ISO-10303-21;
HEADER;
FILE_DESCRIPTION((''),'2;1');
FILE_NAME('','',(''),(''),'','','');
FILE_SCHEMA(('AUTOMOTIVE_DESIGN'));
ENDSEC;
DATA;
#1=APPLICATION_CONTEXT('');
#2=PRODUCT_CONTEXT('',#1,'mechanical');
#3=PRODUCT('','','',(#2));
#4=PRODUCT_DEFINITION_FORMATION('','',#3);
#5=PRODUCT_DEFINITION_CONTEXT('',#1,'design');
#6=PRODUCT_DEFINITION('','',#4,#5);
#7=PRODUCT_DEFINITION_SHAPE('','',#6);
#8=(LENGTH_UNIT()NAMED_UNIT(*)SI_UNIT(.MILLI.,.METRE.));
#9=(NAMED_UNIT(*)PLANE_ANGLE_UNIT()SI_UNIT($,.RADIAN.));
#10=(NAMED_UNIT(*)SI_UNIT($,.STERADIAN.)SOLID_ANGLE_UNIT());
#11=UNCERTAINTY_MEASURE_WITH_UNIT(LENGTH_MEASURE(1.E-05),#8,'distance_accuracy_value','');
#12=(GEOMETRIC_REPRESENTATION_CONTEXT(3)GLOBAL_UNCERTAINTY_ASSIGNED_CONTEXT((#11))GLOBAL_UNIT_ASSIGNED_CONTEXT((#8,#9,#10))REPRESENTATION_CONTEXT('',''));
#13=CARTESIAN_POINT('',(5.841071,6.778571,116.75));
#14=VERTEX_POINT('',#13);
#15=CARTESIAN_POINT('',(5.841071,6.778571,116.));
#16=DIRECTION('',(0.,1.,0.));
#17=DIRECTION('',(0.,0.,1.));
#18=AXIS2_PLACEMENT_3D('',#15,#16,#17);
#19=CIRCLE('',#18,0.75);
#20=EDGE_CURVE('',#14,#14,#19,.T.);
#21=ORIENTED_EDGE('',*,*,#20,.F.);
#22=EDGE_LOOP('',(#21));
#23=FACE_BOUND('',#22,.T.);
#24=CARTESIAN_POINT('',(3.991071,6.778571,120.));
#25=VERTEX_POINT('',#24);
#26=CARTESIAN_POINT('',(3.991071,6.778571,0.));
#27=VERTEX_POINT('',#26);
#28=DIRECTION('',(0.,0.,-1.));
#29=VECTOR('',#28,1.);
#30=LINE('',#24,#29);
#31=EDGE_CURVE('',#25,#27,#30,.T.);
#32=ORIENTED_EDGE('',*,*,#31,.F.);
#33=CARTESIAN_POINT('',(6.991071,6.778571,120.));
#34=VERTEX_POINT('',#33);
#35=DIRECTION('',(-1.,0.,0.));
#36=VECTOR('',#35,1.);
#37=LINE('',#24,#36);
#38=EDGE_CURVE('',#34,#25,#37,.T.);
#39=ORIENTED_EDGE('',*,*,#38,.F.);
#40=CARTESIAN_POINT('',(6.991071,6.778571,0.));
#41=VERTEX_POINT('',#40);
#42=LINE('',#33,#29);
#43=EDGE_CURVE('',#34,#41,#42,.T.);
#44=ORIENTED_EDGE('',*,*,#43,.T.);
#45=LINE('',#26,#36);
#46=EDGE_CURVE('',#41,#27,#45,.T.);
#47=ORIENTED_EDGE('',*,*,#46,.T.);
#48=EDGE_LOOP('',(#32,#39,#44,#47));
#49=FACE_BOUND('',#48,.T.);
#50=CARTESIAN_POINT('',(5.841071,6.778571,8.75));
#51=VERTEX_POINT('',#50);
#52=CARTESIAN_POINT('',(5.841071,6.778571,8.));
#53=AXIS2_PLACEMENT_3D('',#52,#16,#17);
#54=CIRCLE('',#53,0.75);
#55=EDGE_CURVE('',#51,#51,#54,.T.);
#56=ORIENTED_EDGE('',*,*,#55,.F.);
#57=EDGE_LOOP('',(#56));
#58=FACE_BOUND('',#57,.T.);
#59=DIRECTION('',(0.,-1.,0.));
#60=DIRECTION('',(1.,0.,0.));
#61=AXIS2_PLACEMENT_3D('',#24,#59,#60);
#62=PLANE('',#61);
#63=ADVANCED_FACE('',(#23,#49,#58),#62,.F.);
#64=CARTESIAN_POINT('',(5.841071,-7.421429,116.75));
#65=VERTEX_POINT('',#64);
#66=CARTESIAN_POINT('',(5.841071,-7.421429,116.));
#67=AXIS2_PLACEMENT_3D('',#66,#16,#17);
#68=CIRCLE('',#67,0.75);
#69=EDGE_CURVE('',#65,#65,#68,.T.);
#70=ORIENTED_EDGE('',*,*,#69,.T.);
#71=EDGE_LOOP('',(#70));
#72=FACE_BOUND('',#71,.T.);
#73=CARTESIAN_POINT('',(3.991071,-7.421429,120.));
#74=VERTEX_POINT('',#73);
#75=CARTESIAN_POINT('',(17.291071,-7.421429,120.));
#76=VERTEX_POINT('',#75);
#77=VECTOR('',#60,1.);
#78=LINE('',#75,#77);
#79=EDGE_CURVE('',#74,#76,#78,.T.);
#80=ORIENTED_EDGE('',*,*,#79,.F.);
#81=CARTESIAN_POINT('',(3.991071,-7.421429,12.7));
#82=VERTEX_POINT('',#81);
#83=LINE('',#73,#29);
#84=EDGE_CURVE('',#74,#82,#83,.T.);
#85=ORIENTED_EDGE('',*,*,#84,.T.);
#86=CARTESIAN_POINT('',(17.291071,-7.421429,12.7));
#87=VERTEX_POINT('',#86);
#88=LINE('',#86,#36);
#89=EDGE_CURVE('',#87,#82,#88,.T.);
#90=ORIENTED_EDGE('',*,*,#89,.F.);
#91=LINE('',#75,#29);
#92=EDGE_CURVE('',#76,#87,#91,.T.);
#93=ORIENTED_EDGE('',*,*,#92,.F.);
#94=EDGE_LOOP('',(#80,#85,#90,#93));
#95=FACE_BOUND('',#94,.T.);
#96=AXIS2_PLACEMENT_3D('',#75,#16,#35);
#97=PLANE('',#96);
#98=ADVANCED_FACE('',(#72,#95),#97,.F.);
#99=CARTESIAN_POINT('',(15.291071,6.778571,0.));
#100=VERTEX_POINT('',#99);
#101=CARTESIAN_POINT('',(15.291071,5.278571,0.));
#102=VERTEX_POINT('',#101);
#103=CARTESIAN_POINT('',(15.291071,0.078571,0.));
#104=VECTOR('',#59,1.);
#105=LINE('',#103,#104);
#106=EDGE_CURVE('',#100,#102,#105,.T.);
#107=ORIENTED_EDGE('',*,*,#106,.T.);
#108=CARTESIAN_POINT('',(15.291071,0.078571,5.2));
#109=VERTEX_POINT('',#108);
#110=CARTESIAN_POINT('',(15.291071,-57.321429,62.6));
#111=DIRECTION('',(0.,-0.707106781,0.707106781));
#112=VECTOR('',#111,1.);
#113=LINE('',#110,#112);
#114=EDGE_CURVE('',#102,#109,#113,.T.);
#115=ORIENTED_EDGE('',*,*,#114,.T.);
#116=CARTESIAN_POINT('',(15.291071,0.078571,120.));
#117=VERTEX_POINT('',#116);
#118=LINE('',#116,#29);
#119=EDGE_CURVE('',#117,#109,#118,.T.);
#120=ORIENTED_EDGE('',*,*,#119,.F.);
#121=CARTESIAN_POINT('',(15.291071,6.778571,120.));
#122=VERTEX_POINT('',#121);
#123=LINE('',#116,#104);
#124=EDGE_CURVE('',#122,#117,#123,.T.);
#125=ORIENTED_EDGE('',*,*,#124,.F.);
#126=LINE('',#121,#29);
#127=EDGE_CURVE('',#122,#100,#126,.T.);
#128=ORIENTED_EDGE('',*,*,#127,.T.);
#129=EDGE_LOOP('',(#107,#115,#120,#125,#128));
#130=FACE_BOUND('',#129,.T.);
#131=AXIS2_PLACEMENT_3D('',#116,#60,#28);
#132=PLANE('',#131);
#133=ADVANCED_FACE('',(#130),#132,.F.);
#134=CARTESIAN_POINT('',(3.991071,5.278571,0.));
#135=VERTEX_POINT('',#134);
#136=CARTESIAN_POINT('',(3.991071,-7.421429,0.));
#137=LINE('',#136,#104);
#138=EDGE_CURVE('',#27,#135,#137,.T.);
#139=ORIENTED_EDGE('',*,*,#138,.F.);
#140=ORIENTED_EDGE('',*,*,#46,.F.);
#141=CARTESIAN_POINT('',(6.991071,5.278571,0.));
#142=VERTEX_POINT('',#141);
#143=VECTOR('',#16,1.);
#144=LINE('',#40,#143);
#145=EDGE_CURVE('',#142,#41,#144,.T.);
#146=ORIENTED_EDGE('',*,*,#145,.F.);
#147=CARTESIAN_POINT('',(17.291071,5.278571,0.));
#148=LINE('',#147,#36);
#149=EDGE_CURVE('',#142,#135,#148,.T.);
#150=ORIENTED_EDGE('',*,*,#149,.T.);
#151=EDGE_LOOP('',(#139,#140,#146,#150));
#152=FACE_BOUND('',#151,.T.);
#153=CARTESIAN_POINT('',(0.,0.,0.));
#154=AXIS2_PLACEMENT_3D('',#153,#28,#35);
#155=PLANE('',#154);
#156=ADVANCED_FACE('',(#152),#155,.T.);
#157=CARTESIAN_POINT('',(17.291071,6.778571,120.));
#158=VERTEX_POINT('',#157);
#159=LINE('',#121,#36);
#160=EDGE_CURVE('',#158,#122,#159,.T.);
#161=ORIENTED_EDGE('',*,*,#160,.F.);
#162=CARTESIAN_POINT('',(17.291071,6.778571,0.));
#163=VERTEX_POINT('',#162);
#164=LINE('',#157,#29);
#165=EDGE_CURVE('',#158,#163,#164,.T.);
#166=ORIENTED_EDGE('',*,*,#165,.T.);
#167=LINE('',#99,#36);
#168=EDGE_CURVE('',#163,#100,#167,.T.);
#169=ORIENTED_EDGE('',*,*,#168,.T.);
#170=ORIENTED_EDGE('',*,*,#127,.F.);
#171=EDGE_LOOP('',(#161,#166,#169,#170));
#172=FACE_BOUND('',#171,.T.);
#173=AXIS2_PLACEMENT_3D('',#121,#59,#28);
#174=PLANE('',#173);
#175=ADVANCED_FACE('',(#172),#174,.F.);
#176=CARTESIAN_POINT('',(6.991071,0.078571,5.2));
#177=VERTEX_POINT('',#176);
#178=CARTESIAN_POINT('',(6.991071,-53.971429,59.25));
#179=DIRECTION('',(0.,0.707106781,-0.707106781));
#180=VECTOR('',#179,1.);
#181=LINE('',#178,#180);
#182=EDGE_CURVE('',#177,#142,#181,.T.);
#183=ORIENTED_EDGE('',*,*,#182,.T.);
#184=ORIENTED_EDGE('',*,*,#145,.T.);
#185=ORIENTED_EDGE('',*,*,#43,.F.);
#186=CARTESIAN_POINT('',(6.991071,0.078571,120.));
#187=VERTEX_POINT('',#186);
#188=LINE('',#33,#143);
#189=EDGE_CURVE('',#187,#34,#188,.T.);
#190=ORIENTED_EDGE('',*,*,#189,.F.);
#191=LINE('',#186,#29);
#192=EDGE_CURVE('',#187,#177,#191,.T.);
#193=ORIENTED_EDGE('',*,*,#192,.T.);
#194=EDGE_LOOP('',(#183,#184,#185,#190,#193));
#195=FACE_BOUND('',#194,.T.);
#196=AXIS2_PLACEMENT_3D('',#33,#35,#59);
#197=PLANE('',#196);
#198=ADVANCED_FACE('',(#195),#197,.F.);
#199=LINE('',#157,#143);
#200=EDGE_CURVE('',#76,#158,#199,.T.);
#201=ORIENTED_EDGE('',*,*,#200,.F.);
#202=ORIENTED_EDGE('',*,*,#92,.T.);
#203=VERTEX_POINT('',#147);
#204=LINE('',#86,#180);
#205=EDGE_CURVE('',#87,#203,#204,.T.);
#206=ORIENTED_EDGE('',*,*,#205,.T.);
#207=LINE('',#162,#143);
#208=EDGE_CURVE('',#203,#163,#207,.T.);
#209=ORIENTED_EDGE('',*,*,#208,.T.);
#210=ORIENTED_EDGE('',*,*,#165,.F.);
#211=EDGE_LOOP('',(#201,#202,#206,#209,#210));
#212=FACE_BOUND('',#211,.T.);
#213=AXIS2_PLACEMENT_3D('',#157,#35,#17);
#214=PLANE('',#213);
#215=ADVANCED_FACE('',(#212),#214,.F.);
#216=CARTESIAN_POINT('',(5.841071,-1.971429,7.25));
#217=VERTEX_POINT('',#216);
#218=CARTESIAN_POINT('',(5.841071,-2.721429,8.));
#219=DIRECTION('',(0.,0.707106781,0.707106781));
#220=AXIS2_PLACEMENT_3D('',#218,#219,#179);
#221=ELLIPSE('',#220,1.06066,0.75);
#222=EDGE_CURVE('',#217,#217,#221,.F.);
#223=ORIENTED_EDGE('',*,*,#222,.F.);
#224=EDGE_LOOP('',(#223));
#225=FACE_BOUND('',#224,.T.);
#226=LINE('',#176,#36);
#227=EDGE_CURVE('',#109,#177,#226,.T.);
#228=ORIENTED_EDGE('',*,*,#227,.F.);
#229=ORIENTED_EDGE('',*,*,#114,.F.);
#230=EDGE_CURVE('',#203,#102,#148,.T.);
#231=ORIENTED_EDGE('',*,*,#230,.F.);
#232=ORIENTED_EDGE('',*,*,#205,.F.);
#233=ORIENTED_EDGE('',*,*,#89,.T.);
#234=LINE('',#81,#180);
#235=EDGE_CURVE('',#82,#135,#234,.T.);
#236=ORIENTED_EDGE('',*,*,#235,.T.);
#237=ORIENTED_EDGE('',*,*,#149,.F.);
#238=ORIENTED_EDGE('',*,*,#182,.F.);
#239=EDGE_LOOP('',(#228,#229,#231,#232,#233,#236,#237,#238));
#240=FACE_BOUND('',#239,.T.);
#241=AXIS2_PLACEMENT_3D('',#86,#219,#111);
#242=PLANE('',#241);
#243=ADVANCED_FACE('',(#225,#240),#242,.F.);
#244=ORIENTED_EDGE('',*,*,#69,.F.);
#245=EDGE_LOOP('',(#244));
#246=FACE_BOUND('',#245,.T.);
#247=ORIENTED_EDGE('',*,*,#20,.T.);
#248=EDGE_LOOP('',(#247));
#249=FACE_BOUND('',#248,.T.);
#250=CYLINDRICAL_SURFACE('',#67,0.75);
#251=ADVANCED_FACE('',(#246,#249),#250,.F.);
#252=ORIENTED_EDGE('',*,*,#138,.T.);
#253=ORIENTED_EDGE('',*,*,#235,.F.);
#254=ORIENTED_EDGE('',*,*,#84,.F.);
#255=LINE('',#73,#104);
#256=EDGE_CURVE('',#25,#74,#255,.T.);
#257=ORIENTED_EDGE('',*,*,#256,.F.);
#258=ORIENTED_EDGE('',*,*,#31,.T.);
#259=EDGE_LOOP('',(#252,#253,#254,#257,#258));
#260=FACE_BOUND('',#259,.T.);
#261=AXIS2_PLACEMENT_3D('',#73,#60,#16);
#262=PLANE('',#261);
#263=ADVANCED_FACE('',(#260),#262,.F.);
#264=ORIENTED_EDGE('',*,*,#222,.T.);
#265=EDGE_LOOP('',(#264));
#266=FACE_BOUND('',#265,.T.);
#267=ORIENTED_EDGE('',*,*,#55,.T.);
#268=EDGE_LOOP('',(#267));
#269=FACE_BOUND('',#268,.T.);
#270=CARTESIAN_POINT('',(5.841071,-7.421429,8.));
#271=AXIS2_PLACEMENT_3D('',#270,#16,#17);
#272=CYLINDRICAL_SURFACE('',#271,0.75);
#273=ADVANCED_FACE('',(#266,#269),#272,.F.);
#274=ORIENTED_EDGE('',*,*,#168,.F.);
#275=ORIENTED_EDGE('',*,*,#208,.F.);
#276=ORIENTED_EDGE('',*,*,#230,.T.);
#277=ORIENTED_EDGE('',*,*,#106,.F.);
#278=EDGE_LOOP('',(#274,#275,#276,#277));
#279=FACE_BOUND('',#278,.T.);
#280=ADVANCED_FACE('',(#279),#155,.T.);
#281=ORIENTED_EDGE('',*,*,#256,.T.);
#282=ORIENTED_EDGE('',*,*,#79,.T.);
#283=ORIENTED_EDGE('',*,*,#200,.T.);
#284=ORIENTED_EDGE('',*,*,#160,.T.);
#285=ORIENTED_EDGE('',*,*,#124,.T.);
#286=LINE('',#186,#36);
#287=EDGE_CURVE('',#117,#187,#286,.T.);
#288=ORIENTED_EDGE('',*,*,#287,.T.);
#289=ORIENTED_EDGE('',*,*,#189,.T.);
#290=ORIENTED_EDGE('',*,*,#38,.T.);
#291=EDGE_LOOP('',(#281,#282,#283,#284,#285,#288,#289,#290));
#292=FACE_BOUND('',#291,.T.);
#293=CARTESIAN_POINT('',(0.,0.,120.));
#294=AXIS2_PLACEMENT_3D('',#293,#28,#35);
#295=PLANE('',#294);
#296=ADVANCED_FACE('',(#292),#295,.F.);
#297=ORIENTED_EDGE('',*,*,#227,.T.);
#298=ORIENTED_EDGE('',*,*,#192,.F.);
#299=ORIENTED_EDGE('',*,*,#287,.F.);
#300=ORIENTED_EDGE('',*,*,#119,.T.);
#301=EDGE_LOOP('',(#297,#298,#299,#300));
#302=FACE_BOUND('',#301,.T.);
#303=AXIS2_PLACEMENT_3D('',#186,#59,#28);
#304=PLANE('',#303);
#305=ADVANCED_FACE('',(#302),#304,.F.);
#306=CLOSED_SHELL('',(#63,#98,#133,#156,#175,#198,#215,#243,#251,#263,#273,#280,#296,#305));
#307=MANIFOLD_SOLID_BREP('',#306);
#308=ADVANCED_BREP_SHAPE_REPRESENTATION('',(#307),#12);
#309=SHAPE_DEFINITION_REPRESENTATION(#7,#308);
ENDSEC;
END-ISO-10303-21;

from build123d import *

# Parameters (mm, degrees)
RAIL_EXTRUDE_DEPTH = 120
SKETCH2_R          = 0.75
FIRST_HOLE_DEPTH   = 123.068100465
SKETCH3_R          = 0.75
LAST_HOLE_DEPTH    = 123.068100465
ANGLE_DEPTH        = 121.962670283


with BuildPart() as part:
    # Sketch1 → Rail-Extrude (new body)
    with BuildSketch(Plane.XY):
        Polygon((3.991071429, 6.778571429), (6.991071429, 6.778571429), (6.991071429, 0.078571429), (15.291071429, 0.078571429), (15.291071429, 6.778571429), (17.291071429, 6.778571429), (17.291071429, -7.421428571), (3.991071429, -7.421428571), align=None)
    extrude(amount=RAIL_EXTRUDE_DEPTH)

    # Sketch2 → First Hole (cut, through all)
    with BuildSketch(Plane(origin=(0, 6.778571429, 0), x_dir=(1, 0, 0), z_dir=(0, 1, 0))):
        with Locations((5.841071429, -8)):
            Circle(SKETCH2_R)
    extrude(amount=-FIRST_HOLE_DEPTH, mode=Mode.SUBTRACT)

    # Sketch3 → Last Hole (cut, through all)
    with BuildSketch(Plane(origin=(0, 6.778571429, 0), x_dir=(1, 0, 0), z_dir=(0, 1, 0))):
        with Locations((5.841071429, -116)):
            Circle(SKETCH3_R)
    extrude(amount=-LAST_HOLE_DEPTH, mode=Mode.SUBTRACT)

    # Sketch5 → Angle (cut, through all)
    with BuildSketch(Plane.ZY.offset(-3.991071429)):
        Polygon((12.7, -7.421428571), (0, 5.278571429), (0, -7.421428571), align=None)
    extrude(amount=-ANGLE_DEPTH, mode=Mode.SUBTRACT)


solid = part.part
